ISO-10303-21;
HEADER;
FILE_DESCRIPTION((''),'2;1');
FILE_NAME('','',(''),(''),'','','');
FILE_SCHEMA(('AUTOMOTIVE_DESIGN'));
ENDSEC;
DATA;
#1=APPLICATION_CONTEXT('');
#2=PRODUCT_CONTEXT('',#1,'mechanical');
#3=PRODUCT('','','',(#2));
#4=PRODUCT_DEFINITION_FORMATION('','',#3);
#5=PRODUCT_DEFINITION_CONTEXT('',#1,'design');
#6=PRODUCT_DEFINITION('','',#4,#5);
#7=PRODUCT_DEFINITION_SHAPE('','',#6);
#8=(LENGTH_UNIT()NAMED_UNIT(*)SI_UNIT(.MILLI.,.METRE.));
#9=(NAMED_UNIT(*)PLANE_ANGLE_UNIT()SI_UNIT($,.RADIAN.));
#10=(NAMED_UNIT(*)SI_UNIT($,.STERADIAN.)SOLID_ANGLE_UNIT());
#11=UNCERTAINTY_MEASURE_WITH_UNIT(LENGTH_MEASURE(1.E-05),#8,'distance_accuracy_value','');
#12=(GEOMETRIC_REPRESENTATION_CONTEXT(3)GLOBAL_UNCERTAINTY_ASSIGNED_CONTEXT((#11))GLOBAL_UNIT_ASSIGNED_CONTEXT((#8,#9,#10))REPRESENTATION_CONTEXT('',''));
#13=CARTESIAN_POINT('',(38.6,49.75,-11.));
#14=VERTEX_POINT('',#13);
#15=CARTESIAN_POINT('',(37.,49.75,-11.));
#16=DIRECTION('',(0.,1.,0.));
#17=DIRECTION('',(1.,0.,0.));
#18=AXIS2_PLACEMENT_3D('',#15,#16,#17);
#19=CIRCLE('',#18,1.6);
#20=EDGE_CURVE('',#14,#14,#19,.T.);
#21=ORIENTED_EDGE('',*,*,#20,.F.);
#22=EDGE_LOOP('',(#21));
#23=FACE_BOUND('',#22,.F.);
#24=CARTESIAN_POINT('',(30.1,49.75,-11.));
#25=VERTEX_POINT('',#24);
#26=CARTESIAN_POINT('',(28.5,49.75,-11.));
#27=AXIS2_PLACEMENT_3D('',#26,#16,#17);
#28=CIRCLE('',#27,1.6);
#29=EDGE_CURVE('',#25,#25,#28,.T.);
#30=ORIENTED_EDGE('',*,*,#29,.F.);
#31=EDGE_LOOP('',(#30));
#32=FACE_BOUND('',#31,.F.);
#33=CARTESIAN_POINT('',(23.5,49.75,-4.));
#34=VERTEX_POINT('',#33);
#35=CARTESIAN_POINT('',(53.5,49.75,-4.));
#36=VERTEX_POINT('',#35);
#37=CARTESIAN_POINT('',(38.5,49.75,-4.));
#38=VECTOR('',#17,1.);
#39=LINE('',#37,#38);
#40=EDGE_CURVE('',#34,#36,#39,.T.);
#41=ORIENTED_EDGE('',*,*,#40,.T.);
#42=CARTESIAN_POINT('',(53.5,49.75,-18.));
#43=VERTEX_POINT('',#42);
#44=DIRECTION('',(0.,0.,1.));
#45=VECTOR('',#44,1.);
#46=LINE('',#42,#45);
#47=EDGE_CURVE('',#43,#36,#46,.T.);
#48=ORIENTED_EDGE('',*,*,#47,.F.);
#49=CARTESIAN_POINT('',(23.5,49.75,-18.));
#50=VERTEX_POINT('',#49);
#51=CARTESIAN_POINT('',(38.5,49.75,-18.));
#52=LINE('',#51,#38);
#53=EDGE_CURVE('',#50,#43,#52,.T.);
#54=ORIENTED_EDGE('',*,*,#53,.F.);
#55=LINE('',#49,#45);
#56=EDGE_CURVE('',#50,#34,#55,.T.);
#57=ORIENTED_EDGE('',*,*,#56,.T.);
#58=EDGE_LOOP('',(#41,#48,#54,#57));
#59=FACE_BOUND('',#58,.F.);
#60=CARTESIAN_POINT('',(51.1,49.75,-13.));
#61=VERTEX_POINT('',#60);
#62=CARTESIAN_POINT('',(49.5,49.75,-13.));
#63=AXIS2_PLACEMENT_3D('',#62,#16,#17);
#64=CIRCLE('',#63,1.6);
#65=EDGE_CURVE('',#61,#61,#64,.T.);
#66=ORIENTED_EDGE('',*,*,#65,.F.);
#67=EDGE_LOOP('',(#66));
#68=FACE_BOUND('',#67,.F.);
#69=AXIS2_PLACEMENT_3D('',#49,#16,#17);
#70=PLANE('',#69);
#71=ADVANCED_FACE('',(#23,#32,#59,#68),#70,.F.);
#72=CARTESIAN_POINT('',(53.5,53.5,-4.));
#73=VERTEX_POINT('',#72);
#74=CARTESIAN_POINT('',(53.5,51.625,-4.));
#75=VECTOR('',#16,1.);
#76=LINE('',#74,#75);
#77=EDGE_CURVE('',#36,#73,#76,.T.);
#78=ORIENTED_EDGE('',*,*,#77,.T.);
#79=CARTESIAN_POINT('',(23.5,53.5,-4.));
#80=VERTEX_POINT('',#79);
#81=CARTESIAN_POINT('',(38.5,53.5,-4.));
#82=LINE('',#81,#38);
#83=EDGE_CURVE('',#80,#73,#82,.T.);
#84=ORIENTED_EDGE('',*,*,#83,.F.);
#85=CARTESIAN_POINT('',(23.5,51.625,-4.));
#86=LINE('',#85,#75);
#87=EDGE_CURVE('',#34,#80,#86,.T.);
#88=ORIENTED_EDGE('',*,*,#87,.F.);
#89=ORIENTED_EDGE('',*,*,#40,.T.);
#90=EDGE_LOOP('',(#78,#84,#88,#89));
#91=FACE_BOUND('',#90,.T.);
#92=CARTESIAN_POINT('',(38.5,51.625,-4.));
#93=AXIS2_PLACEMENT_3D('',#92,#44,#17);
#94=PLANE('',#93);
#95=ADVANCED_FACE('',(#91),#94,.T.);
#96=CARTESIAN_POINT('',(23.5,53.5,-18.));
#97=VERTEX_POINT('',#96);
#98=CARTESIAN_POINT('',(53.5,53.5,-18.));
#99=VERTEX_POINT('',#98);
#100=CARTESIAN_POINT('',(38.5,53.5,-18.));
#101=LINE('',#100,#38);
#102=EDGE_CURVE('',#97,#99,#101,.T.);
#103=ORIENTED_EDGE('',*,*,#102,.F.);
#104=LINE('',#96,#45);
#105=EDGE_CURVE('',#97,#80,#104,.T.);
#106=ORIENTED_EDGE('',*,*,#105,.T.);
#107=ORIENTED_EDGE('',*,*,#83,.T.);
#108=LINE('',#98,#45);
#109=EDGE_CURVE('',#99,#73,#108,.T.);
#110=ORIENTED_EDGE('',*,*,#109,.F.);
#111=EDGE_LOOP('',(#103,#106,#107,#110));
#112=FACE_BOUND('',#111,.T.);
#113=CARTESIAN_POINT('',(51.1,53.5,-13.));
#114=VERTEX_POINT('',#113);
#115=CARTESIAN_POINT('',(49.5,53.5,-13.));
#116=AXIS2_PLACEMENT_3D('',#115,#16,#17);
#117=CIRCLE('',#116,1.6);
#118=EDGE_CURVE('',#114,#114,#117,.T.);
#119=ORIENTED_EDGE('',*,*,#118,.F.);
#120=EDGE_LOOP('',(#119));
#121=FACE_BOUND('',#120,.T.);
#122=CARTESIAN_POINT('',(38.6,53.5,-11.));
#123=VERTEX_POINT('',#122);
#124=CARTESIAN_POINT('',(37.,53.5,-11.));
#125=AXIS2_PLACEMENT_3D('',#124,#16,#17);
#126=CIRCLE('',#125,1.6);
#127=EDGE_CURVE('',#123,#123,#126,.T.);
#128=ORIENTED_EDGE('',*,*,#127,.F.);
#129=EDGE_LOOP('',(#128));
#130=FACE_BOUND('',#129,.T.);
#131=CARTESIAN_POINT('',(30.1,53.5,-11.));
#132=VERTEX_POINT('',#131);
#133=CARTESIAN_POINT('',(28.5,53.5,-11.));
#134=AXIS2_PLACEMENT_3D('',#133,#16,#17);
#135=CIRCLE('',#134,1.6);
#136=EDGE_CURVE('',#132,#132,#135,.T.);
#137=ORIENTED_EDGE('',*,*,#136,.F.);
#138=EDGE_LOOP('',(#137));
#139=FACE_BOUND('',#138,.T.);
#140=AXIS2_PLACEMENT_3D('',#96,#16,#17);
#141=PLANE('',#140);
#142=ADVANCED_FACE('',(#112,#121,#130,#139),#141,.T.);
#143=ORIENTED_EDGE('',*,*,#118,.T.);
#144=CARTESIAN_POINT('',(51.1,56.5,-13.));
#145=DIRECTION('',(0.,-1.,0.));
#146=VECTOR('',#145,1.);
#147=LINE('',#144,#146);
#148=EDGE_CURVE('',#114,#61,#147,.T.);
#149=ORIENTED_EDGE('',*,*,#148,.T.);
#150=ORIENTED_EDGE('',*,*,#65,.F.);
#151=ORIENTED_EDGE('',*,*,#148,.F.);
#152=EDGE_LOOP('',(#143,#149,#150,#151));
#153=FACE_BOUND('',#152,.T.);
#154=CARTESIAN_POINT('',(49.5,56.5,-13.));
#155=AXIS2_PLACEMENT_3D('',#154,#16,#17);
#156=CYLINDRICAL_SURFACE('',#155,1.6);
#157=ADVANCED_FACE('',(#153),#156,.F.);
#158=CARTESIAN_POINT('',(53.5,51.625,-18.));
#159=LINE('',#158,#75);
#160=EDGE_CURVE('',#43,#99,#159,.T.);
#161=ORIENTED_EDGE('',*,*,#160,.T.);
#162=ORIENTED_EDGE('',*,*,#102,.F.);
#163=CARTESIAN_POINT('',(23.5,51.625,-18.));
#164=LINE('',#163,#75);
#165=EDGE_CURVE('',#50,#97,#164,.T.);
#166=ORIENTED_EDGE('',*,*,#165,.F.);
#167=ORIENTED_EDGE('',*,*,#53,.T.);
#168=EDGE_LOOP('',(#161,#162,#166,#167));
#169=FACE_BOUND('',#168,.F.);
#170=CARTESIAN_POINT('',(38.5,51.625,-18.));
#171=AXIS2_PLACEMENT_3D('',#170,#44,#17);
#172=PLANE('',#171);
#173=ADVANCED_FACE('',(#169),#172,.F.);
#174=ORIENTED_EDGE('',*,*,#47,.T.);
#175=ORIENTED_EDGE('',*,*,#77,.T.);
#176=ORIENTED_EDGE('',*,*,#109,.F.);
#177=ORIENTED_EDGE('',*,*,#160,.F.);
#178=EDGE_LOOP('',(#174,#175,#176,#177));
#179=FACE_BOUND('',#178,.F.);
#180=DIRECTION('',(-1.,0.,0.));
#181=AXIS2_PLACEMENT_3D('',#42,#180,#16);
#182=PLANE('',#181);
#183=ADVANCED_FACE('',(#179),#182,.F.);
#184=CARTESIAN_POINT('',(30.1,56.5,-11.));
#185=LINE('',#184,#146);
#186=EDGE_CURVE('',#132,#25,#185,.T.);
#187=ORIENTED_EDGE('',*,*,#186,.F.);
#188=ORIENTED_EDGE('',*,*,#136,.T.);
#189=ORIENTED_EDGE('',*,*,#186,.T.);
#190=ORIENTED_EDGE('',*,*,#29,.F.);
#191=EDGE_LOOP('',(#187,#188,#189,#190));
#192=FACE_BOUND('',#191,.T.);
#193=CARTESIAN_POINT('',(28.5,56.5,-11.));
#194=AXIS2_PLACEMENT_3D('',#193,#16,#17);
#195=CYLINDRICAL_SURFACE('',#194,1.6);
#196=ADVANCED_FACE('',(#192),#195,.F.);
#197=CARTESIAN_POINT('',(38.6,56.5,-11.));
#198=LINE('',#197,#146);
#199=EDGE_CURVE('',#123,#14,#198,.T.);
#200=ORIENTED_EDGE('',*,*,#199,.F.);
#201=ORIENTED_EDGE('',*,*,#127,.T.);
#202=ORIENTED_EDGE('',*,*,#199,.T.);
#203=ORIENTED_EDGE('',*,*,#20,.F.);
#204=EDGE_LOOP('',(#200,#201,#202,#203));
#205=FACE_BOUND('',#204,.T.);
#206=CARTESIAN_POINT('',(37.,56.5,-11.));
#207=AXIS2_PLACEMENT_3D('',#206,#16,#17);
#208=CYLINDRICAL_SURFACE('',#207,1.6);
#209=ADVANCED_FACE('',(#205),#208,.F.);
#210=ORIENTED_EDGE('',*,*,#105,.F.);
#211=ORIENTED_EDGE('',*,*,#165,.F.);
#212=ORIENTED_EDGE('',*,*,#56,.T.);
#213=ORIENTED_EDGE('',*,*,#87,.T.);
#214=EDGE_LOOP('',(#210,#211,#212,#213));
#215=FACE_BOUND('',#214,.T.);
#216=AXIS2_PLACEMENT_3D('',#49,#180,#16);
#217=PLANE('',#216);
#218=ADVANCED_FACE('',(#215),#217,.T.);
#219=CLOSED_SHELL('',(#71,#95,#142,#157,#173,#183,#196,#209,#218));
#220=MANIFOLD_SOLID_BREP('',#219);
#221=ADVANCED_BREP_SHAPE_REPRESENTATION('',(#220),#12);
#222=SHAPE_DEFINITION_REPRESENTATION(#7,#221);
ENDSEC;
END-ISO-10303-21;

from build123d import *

# Parameters (mm, degrees)
CYLINDER875_R          = 1.6
CYLINDER875_DEPTH      = 20
CYLINDER875_ROLL_ANGLE = 90
CYLINDER876_R          = 1.6
CYLINDER876_DEPTH      = 20
CYLINDER876_ROLL_ANGLE = 90
CYLINDER874_R          = 1.6
CYLINDER874_DEPTH      = 20
CYLINDER874_ROLL_ANGLE = 90
BOX544_W               = 30
BOX544_H               = 3.75
BOX544_DEPTH           = 14


with BuildPart() as cylinder1036:
    # Cylinder875 → Cylinder875 (new body)
    with BuildSketch(Plane.XY):
        Circle(CYLINDER875_R)
    extrude(amount=CYLINDER875_DEPTH)


with BuildPart() as cylinder1036_1:
    # Cylinder875 roll: moved
    add(cylinder1036.part.rotate(Axis((0, 0, 0), (1, 0, 0)), CYLINDER875_ROLL_ANGLE))


with BuildPart() as cylinder1036_2:
    # Cylinder875 placement: moved
    add(cylinder1036_1.part.moved(Location((49.5, 56.5, -13))))


with BuildPart() as cylinder1037:
    # Cylinder876 → Cylinder876 (new body)
    with BuildSketch(Plane.XY):
        Circle(CYLINDER876_R)
    extrude(amount=CYLINDER876_DEPTH)


with BuildPart() as cylinder1037_1:
    # Cylinder876 roll: moved
    add(cylinder1037.part.rotate(Axis((0, 0, 0), (1, 0, 0)), CYLINDER876_ROLL_ANGLE))


with BuildPart() as cylinder1037_2:
    # Cylinder876 placement: moved
    add(cylinder1037_1.part.moved(Location((37, 56.5, -11))))


with BuildPart() as fusion562:
    # Cylinder874 → Cylinder874 (new body)
    with BuildSketch(Plane.XY):
        Circle(CYLINDER874_R)
    extrude(amount=CYLINDER874_DEPTH)


with BuildPart() as fusion562_1:
    # Cylinder874 roll: moved
    add(fusion562.part.rotate(Axis((0, 0, 0), (1, 0, 0)), CYLINDER874_ROLL_ANGLE))


with BuildPart() as fusion562_2:
    # Cylinder874 placement: moved
    add(fusion562_1.part.moved(Location((28.5, 56.5, -11))))

    # Fusion562: union Cylinder1036, Cylinder1037
    add(cylinder1036_2.part)
    add(cylinder1037_2.part)


with BuildPart() as leafspring_mount_front_left_holes:
    # Box544 → Box544 (new body)
    with BuildSketch(Plane(origin=(23.5, 49.75, -18), x_dir=(1, 0, 0), z_dir=(0, 0, 1))):
        with Locations((15, 1.875)):
            Rectangle(BOX544_W, BOX544_H)
    extrude(amount=BOX544_DEPTH)

    # Cut668: cut Fusion562
    add(fusion562_2.part, mode=Mode.SUBTRACT)


solid = leafspring_mount_front_left_holes.part
